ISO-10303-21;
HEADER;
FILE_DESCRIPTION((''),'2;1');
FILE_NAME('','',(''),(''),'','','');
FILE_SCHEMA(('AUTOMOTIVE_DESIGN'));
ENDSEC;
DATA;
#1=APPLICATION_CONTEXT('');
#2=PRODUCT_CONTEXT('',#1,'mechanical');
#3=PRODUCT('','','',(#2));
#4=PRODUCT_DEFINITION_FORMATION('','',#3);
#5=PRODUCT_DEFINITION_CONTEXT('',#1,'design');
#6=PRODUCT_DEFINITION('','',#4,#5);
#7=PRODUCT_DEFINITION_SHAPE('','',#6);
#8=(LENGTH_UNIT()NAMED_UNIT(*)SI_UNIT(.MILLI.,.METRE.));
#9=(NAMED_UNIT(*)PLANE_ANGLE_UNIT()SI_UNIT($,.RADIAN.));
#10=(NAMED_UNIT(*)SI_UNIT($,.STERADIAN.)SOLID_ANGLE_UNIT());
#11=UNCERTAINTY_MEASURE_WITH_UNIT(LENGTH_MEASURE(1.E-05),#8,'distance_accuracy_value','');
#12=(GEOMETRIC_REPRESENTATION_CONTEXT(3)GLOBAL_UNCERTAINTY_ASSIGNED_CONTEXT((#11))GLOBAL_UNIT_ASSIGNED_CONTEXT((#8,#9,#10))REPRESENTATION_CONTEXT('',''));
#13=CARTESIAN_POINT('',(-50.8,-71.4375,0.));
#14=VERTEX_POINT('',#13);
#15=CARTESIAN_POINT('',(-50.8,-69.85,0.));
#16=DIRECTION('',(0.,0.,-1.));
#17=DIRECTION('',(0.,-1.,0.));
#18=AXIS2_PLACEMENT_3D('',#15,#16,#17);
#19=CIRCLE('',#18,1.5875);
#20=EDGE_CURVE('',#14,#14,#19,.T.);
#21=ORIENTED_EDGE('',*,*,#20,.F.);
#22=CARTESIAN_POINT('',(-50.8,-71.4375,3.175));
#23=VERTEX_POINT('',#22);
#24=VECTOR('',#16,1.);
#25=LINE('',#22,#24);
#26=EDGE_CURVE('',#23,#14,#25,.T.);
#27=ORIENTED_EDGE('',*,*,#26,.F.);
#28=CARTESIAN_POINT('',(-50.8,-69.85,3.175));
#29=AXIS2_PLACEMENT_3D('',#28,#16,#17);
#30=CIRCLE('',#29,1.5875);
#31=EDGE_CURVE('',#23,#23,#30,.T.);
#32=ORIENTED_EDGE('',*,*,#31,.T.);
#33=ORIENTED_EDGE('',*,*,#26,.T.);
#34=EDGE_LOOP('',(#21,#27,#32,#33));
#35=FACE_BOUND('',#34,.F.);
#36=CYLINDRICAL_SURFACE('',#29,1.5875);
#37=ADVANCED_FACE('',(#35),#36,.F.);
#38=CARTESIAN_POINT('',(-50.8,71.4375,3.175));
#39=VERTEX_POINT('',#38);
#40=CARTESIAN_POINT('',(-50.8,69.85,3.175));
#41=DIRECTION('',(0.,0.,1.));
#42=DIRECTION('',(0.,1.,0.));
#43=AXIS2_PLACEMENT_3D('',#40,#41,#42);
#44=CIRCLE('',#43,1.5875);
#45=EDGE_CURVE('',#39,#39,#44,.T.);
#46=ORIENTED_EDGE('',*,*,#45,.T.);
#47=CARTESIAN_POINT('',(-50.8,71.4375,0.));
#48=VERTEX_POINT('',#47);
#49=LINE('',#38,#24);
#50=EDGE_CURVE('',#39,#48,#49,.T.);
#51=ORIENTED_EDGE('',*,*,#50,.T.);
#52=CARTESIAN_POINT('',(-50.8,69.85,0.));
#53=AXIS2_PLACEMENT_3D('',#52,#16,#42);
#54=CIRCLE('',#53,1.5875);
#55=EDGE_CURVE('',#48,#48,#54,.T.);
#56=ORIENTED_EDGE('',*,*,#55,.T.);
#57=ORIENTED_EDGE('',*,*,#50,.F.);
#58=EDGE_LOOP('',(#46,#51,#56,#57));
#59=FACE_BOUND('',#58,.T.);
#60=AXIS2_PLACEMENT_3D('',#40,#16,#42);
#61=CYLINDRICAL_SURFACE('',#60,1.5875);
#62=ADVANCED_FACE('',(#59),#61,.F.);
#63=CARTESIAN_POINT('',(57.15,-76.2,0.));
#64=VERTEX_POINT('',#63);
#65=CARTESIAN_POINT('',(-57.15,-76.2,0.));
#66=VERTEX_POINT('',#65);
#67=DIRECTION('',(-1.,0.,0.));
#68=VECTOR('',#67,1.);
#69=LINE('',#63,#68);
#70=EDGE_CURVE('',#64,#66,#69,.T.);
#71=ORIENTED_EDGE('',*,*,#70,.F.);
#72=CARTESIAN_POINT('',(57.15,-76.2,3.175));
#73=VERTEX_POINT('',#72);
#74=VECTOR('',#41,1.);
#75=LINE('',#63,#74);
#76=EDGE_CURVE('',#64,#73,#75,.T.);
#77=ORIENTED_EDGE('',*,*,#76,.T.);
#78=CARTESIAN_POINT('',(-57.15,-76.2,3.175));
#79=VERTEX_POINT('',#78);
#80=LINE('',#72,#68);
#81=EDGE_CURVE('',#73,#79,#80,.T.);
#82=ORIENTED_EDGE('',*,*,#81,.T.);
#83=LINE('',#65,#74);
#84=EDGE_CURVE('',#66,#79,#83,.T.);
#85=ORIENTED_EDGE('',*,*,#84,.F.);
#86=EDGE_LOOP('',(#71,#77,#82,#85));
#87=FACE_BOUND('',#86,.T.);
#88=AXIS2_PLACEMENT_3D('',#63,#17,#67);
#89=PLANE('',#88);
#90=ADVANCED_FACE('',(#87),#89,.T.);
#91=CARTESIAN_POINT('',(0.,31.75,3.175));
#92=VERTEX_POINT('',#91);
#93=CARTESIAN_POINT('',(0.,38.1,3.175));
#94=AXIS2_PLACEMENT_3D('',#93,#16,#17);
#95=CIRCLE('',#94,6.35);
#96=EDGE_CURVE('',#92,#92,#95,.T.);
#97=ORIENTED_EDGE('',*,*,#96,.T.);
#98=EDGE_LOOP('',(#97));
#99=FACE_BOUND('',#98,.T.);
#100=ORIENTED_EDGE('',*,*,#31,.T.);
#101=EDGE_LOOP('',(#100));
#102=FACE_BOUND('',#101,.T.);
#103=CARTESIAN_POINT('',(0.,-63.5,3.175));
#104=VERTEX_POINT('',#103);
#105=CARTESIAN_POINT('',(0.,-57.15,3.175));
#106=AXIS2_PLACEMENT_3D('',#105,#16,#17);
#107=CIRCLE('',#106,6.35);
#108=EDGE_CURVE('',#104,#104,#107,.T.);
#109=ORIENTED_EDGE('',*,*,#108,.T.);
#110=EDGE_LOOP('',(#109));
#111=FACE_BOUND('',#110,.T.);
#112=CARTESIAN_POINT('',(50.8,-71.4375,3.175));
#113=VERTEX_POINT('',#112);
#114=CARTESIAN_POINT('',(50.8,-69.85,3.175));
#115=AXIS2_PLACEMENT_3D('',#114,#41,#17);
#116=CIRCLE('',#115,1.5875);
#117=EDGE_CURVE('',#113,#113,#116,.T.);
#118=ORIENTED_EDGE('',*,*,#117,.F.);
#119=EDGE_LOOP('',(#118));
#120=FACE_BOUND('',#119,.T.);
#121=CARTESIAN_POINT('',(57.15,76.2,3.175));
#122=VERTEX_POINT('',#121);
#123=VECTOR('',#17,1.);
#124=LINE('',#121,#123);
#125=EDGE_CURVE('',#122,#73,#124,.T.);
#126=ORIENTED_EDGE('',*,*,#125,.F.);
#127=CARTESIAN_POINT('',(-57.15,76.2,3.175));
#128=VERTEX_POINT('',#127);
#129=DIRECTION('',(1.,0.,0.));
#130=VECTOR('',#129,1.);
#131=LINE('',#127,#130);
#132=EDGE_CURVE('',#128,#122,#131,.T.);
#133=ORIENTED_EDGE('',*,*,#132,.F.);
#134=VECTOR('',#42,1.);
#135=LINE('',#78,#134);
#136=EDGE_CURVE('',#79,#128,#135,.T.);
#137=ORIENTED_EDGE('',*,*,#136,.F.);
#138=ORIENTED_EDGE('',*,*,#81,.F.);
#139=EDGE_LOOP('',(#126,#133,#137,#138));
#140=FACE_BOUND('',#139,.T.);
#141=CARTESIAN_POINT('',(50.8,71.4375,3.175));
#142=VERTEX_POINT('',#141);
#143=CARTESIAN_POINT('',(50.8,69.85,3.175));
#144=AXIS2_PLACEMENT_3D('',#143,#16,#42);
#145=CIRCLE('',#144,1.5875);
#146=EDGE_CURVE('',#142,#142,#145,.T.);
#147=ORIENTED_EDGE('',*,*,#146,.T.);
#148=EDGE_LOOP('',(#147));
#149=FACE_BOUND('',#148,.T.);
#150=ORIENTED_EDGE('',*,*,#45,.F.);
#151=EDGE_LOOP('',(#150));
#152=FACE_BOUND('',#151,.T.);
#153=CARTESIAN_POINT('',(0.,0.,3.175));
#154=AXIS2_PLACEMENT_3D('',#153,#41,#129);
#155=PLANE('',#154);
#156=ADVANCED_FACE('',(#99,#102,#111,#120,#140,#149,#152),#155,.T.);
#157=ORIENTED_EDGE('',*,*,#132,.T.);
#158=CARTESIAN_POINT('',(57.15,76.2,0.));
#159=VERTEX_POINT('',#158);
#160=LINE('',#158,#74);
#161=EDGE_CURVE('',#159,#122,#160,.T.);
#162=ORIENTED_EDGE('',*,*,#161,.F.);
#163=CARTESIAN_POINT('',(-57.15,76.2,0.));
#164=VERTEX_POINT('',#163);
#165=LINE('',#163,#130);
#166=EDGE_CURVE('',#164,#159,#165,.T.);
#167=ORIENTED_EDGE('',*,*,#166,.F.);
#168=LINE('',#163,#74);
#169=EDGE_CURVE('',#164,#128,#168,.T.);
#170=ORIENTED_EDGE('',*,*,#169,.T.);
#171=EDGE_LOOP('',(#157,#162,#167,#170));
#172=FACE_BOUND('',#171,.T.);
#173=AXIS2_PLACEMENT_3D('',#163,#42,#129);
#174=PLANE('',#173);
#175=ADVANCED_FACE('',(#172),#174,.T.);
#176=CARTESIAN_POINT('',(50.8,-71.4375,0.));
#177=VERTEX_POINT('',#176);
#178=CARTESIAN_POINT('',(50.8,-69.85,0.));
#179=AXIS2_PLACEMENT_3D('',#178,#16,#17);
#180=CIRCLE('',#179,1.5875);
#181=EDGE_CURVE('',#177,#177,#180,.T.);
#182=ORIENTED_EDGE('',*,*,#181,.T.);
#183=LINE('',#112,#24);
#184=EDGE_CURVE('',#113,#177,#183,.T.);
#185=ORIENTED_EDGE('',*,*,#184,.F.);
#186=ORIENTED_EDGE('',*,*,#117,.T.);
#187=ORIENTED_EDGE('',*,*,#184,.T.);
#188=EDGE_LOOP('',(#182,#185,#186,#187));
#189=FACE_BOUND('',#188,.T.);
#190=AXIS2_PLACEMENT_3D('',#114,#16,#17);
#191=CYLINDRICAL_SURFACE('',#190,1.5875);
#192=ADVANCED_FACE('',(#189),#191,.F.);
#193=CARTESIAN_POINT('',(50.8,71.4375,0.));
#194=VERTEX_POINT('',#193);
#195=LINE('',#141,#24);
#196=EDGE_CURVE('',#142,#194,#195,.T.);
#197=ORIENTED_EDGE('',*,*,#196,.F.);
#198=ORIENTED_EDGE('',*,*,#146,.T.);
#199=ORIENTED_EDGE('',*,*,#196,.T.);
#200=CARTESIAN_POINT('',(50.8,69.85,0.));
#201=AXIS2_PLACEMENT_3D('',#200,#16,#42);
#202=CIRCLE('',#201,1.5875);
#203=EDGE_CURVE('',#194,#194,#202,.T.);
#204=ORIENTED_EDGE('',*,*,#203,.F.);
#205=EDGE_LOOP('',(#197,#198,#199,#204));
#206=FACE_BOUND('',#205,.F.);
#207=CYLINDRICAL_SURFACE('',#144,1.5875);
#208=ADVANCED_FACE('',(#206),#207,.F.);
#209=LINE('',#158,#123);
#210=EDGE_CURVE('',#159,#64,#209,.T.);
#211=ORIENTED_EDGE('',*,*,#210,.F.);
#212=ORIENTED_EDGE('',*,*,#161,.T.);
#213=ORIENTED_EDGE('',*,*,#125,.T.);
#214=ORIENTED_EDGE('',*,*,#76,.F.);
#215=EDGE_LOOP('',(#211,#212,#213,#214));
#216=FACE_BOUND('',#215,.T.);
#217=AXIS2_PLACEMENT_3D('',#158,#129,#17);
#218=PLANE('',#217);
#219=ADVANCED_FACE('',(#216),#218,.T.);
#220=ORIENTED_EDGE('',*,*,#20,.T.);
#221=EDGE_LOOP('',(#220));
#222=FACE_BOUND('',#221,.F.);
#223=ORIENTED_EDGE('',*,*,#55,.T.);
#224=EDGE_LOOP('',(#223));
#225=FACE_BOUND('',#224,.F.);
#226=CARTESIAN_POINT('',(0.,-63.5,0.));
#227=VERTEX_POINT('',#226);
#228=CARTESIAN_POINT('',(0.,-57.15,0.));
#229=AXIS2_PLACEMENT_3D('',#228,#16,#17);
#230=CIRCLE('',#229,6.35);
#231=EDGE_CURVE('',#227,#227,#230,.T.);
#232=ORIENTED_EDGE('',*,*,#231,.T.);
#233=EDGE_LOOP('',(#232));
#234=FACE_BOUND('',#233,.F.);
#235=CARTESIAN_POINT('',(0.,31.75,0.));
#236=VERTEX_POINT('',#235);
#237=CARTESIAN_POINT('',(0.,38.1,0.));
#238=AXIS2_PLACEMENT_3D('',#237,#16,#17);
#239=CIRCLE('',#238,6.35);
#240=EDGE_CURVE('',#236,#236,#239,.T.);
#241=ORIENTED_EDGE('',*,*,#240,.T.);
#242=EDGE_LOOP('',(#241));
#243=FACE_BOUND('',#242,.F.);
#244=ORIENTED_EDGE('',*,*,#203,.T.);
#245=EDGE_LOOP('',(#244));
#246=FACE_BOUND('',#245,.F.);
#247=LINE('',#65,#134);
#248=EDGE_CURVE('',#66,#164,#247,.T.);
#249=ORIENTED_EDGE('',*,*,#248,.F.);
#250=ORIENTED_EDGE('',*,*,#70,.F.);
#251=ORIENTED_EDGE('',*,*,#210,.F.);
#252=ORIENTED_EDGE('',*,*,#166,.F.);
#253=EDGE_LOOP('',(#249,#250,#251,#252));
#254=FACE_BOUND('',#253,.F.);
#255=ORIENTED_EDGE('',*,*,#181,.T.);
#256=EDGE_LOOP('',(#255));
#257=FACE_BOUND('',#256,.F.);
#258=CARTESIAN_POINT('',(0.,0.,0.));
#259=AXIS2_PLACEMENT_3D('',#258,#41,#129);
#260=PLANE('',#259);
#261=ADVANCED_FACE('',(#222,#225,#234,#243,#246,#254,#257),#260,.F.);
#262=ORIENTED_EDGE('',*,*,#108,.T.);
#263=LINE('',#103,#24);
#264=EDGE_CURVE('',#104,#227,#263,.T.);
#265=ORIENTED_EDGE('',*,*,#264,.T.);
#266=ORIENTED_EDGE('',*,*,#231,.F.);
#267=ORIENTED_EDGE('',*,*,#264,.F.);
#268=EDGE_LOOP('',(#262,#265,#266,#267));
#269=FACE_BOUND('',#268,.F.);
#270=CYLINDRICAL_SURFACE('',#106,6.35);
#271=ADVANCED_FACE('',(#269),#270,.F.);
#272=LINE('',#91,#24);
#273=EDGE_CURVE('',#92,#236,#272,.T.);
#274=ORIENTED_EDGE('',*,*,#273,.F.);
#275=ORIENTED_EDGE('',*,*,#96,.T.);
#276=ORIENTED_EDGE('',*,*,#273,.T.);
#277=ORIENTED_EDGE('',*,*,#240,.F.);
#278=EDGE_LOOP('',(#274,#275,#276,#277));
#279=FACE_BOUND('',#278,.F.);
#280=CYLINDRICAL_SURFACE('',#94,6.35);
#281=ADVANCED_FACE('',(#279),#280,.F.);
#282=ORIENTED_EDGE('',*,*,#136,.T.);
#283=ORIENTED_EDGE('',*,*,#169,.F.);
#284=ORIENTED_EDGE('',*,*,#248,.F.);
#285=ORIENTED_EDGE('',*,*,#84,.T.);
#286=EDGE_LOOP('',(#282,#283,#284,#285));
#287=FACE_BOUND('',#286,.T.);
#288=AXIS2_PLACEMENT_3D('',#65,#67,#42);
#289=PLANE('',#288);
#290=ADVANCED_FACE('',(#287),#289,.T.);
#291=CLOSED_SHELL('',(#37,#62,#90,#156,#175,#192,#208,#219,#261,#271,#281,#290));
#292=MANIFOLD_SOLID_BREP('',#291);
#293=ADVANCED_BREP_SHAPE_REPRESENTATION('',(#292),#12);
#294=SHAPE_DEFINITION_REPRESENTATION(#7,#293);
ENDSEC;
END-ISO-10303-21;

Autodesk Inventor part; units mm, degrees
ref_plane "YZ Plane" through (0, 0, 0) normal (1, 0, 0) x (0, 1, 0)
ref_plane "XZ Plane" through (0, 0, 0) normal (0, 1, 0) x (-1, 0, 0)
ref_plane "XY Plane" through (0, 0, 0) normal (0, 0, 1) x (1, 0, 0)
sketch "Sketch1" plane through (0, 0, 0) normal (0, 0, 1) x (1, 0, 0)
  line L0 (0, 0) -> (0, 40.5449) construction
  line L1 (0, 0) -> (42.3786, 0) construction
  line L2 (-57.15, 76.2) -> (57.15, 76.2)
  line L3 (57.15, 76.2) -> (57.15, -76.2)
  line L4 (57.15, -76.2) -> (-57.15, -76.2)
  line L5 (-57.15, -76.2) -> (-57.15, 76.2)
  dimension "d0" = 152.4
  dimension "d1" = 114.3
extrude "Extrusion1" add sketch "Sketch1" along normal blind 3.175
sketch "Sketch2" plane through (0, 0, 3.175) normal (0, 0, 1) x (1, 0, 0)
  line L0 (57.15, 76.2) -> (-57.15, 76.2) projected
  line L1 (-57.15, 76.2) -> (-57.15, -76.2) projected
  point P0 (0, 0)
  point P1 (0, 38.1)
  dimension "d4" = 38.1
  dimension "d5" = 57.15
hole "Hole1" at (0, 38.1, 3.175) direction (0, 0, -1) diameter 12.7 end through all
sketch "Sketch3" plane through (0, 0, 3.175) normal (0, 0, 1) x (1, 0, 0)
  line L0 (-57.15, -76.2) -> (57.15, -76.2) projected
  line L1 (-57.15, 76.2) -> (-57.15, -76.2) projected
  point P0 (0, 0)
  point P1 (-50.8, -69.85)
  dimension "d13" = 6.35
  dimension "d14" = 6.35
hole "Hole2" at (-50.8, -69.85, 3.175) direction (0, 0, -1) diameter 3.175 end through all
mirror "Mirror1" about plane through (0, 0, 0) normal (1, 0, 0) of "Hole2"
mirror "Mirror2" about plane through (0, 0, 0) normal (0, 1, 0) of "Hole2", "Mirror1"
sketch "Sketch4" plane through (0, 0, 3.175) normal (0, 0, 1) x (1, 0, 0)
  line L0 (-57.15, -76.2) -> (57.15, -76.2) projected
  line L1 (-57.15, 76.2) -> (-57.15, -76.2) projected
  point P0 (0, 0)
  point P1 (0, -57.15)
  dimension "d22" = 19.05
  dimension "d23" = 57.15
hole "Hole3" at (0, -57.15, 3.175) direction (0, 0, -1) diameter 12.7 end through all
properties part number "GearBoxRearPlate"
